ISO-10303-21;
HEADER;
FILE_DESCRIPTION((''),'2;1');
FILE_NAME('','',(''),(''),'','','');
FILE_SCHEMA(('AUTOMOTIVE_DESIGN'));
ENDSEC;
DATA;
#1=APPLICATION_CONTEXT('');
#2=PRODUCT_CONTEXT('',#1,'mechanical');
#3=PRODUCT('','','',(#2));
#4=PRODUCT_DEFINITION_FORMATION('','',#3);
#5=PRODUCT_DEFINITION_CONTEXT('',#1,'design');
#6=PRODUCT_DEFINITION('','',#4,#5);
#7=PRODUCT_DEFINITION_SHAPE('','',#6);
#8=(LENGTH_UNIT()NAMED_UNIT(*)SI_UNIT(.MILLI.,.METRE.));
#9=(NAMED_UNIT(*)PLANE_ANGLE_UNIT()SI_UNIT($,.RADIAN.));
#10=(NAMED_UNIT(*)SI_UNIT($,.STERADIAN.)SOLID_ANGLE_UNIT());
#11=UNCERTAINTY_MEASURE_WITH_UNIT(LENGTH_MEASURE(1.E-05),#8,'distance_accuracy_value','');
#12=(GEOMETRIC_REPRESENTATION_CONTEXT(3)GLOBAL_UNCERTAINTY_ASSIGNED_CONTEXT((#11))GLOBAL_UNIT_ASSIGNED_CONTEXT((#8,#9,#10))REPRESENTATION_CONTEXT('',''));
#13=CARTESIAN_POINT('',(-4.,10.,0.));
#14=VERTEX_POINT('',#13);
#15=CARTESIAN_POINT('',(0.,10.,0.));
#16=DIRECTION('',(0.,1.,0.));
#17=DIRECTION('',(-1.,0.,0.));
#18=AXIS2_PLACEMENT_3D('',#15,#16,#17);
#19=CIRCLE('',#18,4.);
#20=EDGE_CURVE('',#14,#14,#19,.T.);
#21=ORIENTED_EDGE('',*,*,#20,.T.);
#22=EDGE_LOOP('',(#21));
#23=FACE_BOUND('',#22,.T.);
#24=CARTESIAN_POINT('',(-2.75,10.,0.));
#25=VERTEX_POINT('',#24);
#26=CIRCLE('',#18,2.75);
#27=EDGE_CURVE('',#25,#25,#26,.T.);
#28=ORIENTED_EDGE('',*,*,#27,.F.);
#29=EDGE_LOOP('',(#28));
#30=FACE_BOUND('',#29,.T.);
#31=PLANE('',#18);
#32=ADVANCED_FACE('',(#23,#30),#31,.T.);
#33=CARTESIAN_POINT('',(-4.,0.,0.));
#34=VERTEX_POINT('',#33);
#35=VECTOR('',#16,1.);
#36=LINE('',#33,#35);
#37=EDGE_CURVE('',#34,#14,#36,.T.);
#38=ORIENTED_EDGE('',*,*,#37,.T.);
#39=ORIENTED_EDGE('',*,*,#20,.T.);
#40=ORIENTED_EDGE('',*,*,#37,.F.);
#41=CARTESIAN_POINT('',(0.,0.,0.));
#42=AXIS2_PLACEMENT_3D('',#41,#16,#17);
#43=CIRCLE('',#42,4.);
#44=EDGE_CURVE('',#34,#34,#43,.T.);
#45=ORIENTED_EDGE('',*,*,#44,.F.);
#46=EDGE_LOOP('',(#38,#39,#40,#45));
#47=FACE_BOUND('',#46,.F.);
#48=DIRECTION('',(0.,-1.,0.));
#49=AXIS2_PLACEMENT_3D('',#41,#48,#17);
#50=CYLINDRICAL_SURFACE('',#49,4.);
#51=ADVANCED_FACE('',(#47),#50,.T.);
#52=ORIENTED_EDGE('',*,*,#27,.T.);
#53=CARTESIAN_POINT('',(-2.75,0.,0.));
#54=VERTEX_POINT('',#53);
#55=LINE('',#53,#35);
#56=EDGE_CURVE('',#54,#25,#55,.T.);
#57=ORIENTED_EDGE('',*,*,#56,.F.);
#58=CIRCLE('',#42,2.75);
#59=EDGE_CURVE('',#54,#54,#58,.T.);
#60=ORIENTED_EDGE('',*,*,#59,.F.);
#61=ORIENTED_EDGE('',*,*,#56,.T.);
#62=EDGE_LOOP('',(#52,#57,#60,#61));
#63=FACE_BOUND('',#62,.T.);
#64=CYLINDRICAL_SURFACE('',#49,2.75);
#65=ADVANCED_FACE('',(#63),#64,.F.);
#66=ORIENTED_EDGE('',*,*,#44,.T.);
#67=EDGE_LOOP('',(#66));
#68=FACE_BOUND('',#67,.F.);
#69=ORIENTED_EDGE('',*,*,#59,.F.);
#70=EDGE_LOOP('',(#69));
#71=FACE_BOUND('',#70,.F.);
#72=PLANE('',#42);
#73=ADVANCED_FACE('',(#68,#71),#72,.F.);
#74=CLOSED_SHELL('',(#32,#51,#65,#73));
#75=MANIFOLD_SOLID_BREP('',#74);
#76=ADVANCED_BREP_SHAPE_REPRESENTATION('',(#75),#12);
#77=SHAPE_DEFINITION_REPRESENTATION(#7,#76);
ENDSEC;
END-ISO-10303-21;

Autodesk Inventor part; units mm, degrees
ref_plane "YZ Plane" through (0, 0, 0) normal (1, 0, 0) x (0, 1, 0)
ref_plane "XZ Plane" through (0, 0, 0) normal (0, 1, 0) x (-1, 0, 0)
ref_plane "XY Plane" through (0, 0, 0) normal (0, 0, 1) x (1, 0, 0)
sketch "Sketch1" plane through (0, 0, 0) normal (0, 1, 0) x (-1, 0, 0)
  circle A0 centre (0, 0) radius 2.75
  circle A1 centre (0, 0) radius 4
  dimension "d0" = 5.5
  dimension "d1" = 8
extrude "Extrusion1" add sketch "Sketch1" along normal blind 10
properties part number "Idlepulley_Spacer"
